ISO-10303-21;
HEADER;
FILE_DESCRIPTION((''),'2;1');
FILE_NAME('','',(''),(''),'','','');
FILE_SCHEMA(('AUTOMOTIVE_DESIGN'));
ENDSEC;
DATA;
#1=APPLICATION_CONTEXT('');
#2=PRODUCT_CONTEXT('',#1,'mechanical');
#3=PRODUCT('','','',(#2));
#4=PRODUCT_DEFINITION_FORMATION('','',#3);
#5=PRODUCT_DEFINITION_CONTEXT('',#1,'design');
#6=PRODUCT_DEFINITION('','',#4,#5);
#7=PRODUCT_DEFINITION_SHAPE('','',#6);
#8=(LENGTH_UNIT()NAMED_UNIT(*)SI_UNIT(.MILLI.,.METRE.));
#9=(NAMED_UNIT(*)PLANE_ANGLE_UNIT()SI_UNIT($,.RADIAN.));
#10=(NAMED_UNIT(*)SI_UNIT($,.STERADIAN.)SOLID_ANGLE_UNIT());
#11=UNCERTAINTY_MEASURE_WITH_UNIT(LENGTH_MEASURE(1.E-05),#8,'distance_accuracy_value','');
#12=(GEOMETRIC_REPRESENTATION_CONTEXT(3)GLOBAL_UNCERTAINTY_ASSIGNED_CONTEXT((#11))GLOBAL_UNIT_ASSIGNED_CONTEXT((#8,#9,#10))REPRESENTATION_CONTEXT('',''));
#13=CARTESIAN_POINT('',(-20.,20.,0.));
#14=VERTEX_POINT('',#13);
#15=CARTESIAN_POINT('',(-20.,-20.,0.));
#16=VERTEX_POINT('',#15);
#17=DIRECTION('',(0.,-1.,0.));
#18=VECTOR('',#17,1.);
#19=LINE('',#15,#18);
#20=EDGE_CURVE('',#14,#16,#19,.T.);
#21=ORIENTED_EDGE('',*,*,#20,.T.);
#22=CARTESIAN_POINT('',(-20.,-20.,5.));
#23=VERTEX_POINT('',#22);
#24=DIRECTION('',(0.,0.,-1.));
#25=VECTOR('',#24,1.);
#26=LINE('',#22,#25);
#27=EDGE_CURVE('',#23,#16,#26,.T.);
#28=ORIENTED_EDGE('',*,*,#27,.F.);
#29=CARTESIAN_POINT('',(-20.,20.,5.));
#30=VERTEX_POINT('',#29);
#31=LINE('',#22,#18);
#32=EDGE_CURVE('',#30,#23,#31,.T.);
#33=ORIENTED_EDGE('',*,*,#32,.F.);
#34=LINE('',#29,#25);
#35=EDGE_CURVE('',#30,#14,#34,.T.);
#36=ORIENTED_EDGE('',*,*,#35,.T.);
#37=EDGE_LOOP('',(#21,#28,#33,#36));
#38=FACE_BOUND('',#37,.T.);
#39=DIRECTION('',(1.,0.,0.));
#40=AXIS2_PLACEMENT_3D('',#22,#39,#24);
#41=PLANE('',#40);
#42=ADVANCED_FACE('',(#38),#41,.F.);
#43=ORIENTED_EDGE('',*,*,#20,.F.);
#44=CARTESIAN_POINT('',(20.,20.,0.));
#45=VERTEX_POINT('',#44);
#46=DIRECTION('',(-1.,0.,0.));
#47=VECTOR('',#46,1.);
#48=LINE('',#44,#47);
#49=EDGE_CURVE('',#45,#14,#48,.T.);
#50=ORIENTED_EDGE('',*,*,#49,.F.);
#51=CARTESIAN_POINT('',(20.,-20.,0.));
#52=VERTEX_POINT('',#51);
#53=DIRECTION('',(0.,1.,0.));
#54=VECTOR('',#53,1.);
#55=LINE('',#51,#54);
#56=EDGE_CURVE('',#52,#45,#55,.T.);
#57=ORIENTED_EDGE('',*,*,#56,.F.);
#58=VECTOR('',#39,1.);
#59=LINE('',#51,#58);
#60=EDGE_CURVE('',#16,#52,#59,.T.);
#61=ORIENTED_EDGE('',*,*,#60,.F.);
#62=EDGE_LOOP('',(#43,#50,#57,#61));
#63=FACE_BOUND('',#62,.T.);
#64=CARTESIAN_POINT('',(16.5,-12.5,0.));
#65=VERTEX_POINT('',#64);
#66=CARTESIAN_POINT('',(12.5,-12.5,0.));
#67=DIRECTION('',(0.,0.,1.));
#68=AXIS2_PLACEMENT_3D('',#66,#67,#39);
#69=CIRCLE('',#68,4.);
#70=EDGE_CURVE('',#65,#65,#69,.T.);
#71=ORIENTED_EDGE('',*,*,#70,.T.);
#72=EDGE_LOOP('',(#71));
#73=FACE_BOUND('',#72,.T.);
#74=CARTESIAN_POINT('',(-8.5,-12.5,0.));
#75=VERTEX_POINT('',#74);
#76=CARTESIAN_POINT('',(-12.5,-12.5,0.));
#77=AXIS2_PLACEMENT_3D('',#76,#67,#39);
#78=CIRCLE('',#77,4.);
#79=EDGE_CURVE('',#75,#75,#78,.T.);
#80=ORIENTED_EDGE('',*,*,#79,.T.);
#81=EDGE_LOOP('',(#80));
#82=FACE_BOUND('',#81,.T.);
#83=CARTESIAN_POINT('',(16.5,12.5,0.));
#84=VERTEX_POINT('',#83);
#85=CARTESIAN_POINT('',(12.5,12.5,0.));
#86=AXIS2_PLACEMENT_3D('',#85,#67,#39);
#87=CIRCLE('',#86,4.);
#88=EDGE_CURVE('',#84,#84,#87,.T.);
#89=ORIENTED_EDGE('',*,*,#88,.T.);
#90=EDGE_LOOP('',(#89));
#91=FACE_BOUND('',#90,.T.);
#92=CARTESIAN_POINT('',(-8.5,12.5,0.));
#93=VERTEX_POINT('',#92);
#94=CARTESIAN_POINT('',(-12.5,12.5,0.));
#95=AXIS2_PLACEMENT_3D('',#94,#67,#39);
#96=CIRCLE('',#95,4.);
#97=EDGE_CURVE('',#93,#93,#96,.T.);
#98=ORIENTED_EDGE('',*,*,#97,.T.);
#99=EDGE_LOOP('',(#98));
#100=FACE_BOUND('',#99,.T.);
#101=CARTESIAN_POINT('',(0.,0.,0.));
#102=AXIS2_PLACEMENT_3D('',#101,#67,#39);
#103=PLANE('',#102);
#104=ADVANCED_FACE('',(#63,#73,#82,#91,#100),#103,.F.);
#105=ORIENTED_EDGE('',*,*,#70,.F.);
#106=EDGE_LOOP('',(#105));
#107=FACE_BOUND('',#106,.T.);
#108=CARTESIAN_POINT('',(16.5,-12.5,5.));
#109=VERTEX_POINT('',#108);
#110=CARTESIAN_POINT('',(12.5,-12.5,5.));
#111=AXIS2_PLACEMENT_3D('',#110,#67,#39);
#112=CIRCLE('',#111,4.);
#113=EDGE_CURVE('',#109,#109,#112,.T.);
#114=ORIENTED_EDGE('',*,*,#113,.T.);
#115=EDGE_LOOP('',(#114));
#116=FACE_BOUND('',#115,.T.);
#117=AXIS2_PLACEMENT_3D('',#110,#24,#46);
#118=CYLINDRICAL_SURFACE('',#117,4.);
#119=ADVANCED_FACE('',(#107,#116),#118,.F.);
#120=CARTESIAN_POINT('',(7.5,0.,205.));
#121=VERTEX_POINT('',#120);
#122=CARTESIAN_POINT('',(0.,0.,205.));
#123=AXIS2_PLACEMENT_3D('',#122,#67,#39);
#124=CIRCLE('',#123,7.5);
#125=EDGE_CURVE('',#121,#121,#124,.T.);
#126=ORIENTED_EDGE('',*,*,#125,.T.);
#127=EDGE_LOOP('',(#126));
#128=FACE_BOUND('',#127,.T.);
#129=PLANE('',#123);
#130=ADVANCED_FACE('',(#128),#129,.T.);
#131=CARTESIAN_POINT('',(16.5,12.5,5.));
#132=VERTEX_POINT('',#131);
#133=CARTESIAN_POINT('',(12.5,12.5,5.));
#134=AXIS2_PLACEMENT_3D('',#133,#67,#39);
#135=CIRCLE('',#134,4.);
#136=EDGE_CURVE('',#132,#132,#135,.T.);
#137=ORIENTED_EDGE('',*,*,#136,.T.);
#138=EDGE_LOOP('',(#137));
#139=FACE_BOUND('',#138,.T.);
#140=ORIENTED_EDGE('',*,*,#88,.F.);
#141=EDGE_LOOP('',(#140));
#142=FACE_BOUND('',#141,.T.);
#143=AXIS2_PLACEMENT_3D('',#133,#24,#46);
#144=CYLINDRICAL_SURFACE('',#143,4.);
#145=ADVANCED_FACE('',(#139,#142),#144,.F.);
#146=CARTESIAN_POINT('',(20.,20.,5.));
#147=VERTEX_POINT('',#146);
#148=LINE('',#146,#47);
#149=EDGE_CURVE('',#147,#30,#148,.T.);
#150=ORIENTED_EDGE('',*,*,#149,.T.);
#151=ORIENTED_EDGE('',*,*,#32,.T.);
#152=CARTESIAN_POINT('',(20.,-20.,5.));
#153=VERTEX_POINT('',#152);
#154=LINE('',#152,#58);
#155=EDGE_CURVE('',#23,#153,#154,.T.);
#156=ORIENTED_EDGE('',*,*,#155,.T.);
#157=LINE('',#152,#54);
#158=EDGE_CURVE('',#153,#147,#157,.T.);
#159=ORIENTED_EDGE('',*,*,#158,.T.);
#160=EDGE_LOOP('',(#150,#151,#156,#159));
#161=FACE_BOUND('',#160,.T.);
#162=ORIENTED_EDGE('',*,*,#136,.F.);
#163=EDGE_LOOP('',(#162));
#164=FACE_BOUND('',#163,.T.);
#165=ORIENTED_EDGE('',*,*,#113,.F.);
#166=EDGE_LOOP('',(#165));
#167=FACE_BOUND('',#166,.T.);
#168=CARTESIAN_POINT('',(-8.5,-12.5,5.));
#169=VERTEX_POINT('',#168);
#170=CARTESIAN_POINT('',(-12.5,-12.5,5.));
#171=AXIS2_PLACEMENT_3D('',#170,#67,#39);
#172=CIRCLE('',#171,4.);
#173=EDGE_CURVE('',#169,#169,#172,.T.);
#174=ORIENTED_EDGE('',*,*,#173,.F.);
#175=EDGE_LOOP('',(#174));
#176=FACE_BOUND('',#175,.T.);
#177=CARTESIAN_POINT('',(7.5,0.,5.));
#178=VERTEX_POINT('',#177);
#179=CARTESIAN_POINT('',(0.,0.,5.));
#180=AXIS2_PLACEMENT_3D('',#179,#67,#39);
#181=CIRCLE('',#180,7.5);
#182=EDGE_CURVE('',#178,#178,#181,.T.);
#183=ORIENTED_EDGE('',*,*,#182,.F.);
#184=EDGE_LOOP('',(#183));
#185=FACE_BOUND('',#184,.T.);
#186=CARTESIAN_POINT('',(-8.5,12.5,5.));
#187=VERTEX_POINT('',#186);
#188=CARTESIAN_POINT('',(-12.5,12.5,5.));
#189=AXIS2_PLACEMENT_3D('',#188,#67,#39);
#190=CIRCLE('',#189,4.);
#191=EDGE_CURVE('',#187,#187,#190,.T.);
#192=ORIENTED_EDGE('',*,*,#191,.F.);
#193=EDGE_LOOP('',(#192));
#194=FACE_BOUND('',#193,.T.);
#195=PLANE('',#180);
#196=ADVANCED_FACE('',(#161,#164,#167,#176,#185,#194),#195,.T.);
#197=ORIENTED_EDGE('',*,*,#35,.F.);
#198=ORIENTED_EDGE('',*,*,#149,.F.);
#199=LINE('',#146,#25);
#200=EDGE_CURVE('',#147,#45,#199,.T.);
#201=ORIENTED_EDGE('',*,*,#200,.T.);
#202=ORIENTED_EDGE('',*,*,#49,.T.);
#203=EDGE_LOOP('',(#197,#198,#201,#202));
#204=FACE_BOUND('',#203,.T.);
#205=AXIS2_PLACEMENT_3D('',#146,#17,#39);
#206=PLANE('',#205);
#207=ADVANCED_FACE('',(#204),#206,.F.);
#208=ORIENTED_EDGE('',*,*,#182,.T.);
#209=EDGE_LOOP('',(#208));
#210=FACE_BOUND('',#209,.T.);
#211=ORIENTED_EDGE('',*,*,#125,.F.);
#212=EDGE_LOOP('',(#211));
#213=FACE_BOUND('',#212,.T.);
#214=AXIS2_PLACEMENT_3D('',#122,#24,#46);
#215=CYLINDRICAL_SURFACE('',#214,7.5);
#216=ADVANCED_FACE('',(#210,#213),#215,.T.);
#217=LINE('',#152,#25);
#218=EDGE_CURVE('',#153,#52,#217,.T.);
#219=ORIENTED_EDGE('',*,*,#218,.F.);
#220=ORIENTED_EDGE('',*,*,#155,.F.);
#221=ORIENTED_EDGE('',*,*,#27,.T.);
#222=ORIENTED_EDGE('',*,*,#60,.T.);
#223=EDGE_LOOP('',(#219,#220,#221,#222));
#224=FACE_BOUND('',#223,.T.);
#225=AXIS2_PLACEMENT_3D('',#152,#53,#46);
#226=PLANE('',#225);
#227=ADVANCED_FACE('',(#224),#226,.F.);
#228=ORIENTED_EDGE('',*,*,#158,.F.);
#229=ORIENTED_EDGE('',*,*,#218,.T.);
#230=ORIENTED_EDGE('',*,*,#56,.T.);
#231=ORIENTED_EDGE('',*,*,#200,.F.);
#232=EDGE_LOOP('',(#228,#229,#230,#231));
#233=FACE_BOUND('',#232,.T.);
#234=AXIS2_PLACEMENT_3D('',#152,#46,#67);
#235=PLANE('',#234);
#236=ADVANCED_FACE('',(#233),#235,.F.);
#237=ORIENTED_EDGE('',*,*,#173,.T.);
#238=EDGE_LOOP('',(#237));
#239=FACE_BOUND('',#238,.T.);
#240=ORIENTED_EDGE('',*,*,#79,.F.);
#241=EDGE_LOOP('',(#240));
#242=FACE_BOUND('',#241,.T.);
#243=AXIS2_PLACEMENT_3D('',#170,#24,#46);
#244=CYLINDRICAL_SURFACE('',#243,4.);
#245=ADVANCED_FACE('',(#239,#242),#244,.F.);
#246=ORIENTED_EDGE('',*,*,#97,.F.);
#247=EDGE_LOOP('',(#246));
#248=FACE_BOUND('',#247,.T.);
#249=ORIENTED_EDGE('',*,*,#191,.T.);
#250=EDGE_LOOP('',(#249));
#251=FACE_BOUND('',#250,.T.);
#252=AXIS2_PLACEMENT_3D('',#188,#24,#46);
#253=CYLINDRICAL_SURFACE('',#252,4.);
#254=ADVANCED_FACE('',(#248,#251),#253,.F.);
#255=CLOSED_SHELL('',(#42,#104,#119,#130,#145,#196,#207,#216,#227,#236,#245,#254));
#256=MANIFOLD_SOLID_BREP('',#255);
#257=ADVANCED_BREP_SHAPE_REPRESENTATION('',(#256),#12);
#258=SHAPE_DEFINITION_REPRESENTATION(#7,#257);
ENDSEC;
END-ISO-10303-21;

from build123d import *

# Parameters (mm, degrees)
SKETCH_1_W      = 40
SKETCH_1_H      = 40
SKETCH_1_R      = 4
EXTRUDE_1_DEPTH = 5
SKETCH_2_R      = 7.5
EXTRUDE_2_DEPTH = 200


with BuildPart() as part:
    # 草图1 → 凸台-拉伸1 (new body)
    with BuildSketch(Plane.XY):
        Rectangle(SKETCH_1_W, SKETCH_1_H)
        with Locations((-12.5, 12.5)):
            Circle(SKETCH_1_R, mode=Mode.SUBTRACT)
        with Locations((12.5, 12.5)):
            Circle(SKETCH_1_R, mode=Mode.SUBTRACT)
        with Locations((12.5, -12.5)):
            Circle(SKETCH_1_R, mode=Mode.SUBTRACT)
        with Locations((-12.5, -12.5)):
            Circle(SKETCH_1_R, mode=Mode.SUBTRACT)
    extrude(amount=EXTRUDE_1_DEPTH)

    # 草图2 → 凸台-拉伸2 (add)
    with BuildSketch(Plane.XY.offset(5)):
        Circle(SKETCH_2_R)
    extrude(amount=EXTRUDE_2_DEPTH)


solid = part.part
